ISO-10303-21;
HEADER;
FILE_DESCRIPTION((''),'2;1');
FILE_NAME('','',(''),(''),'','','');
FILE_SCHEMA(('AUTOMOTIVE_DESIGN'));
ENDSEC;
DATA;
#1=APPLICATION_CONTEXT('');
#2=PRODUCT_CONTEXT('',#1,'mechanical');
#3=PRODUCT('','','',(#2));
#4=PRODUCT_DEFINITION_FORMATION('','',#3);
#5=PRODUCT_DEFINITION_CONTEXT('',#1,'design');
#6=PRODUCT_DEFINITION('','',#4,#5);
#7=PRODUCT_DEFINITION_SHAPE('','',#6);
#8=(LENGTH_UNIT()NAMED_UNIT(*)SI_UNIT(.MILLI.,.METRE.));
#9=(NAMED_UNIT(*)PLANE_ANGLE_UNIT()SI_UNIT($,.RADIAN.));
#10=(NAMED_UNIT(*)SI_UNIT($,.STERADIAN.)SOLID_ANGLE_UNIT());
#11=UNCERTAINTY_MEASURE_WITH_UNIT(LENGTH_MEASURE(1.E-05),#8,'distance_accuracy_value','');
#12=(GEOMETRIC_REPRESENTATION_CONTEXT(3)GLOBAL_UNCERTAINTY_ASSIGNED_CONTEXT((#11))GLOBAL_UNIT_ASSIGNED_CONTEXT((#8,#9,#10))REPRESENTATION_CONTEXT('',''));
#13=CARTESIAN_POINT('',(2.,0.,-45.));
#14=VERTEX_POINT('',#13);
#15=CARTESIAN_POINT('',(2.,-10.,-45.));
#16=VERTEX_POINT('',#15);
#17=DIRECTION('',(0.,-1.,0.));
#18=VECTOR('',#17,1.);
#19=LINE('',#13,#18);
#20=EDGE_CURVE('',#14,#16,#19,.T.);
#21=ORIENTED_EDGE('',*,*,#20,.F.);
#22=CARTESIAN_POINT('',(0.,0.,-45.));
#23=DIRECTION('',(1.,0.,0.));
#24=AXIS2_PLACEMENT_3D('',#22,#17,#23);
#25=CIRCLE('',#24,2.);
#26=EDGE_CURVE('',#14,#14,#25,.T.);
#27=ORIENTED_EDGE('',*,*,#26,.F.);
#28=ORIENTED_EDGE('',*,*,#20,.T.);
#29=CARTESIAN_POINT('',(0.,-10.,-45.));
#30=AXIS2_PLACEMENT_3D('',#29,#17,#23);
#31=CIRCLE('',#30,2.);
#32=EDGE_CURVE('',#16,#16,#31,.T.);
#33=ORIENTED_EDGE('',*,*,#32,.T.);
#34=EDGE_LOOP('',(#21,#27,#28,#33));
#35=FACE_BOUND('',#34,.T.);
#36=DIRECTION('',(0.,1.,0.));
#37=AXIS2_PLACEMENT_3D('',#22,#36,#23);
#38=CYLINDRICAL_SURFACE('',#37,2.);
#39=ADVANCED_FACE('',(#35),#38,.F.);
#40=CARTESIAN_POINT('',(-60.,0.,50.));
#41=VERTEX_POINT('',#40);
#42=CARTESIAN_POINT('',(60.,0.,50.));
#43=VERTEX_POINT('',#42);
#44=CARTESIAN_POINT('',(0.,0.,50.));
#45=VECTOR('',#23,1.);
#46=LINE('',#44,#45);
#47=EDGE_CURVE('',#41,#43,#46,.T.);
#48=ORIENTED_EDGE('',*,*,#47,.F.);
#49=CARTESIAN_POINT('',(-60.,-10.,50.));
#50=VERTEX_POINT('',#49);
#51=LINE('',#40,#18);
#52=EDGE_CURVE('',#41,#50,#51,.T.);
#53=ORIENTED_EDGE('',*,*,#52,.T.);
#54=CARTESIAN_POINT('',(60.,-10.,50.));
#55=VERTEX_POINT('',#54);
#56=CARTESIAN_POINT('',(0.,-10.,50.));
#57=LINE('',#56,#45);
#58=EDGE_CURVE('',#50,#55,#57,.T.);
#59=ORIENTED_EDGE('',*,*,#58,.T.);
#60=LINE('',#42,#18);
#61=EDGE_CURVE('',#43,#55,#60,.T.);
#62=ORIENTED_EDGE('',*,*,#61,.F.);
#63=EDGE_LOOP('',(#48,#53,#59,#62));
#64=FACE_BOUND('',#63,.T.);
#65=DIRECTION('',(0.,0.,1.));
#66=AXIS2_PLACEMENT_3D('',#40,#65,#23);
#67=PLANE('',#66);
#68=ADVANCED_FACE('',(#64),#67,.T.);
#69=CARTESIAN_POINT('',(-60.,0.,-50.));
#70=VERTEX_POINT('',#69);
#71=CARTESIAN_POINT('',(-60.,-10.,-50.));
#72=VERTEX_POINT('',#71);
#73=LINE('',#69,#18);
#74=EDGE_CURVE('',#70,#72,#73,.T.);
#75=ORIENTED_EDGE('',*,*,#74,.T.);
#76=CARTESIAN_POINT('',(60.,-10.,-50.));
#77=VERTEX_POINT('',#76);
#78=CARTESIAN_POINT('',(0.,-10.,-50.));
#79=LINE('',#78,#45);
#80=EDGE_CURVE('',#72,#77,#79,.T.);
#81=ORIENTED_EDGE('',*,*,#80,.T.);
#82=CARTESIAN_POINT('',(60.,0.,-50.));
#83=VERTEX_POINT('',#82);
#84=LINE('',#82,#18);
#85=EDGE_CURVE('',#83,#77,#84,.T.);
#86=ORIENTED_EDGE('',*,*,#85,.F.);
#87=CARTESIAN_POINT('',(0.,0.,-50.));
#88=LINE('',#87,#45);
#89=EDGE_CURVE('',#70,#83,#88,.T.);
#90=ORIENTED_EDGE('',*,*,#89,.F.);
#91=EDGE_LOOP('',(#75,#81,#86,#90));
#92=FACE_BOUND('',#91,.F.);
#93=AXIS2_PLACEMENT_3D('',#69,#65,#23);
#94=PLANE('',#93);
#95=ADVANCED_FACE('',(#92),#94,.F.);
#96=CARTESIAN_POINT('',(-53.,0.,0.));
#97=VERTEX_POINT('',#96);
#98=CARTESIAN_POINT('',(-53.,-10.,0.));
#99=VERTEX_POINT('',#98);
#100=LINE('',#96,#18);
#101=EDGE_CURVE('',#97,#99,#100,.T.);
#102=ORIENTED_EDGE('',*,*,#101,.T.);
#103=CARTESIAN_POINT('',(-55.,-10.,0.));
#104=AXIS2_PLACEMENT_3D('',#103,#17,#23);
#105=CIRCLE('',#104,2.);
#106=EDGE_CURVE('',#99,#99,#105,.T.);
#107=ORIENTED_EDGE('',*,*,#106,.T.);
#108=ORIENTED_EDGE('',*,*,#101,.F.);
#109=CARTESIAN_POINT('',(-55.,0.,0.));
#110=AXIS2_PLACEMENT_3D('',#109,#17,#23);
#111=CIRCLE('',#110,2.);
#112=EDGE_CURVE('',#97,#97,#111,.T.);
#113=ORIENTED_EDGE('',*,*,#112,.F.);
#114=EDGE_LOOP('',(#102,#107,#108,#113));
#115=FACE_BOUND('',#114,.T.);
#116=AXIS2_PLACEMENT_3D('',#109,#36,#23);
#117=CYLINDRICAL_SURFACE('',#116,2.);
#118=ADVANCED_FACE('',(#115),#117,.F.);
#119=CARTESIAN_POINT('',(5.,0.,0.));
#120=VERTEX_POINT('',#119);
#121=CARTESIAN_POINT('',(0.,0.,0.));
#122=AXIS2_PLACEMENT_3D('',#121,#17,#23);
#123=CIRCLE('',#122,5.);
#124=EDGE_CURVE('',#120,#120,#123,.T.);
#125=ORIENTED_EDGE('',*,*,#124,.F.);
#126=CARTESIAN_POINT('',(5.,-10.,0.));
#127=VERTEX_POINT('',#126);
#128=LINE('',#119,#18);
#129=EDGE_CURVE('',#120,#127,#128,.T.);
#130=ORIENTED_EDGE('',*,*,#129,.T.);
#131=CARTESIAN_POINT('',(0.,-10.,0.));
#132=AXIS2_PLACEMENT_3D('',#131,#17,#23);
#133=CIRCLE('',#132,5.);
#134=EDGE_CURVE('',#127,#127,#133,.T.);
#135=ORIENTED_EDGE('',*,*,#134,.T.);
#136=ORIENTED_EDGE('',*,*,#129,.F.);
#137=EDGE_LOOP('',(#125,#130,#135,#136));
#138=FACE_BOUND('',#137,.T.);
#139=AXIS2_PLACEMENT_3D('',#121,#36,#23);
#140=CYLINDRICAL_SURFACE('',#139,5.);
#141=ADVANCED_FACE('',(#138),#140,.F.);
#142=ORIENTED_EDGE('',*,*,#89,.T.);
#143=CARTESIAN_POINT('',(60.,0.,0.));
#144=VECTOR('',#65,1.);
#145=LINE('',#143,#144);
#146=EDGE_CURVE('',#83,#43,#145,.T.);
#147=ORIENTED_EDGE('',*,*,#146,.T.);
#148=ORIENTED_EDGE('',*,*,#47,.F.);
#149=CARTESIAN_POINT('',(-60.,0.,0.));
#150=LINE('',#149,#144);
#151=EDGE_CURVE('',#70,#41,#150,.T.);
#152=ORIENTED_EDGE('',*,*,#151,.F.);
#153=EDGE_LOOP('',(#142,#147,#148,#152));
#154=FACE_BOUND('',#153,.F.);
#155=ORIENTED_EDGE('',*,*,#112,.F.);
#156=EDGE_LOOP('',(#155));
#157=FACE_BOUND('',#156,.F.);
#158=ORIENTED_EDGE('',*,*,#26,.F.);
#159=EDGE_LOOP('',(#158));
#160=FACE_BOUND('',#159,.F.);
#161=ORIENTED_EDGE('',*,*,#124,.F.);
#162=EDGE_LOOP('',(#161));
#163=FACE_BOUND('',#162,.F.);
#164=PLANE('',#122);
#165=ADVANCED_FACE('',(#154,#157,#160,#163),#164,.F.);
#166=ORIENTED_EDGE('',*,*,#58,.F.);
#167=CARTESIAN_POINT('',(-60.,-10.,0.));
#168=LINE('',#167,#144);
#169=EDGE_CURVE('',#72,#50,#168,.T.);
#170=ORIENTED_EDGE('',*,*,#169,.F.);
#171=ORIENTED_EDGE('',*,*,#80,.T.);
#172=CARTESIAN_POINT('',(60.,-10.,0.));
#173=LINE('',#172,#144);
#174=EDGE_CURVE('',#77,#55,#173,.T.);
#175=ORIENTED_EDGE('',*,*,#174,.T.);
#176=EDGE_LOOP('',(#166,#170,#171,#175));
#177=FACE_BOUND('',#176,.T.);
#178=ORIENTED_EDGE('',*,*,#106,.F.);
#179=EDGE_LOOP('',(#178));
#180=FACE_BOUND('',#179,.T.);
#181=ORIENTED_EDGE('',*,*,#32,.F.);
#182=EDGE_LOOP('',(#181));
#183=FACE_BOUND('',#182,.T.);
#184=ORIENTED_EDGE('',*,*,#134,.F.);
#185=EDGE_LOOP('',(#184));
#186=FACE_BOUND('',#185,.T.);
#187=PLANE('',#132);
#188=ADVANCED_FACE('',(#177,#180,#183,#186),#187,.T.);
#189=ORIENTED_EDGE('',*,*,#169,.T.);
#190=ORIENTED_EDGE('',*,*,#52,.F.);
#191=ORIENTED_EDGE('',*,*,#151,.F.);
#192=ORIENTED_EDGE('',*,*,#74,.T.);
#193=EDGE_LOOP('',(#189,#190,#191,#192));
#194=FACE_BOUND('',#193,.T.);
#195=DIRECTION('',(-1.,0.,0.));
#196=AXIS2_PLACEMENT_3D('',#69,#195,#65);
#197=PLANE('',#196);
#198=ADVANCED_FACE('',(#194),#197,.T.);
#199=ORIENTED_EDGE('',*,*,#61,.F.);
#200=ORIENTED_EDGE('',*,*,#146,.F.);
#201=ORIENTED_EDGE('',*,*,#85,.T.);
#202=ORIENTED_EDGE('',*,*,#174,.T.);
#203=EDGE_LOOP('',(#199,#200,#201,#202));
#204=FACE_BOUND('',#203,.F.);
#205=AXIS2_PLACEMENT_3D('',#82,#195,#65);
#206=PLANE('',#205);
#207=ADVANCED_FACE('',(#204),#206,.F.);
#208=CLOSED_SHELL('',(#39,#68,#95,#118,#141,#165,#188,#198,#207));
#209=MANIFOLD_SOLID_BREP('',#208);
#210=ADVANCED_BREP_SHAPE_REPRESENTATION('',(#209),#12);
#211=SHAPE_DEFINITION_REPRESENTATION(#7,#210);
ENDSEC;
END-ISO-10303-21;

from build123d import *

# Parameters (mm, degrees)
F0_W     = 120
F0_H     = 100
F0_R     = 2
F0_R_2   = 5
F1_DEPTH = 10


with BuildPart() as f1:
    # F0 (on Front) → F1 (new body)
    with BuildSketch(Plane.XZ):
        Rectangle(F0_W, F0_H)
        with Locations((0, -45)):
            Circle(F0_R, mode=Mode.SUBTRACT)
        with Locations((-55, 0)):
            Circle(F0_R, mode=Mode.SUBTRACT)
        Circle(F0_R_2, mode=Mode.SUBTRACT)
    extrude(amount=F1_DEPTH)


solid = f1.part
